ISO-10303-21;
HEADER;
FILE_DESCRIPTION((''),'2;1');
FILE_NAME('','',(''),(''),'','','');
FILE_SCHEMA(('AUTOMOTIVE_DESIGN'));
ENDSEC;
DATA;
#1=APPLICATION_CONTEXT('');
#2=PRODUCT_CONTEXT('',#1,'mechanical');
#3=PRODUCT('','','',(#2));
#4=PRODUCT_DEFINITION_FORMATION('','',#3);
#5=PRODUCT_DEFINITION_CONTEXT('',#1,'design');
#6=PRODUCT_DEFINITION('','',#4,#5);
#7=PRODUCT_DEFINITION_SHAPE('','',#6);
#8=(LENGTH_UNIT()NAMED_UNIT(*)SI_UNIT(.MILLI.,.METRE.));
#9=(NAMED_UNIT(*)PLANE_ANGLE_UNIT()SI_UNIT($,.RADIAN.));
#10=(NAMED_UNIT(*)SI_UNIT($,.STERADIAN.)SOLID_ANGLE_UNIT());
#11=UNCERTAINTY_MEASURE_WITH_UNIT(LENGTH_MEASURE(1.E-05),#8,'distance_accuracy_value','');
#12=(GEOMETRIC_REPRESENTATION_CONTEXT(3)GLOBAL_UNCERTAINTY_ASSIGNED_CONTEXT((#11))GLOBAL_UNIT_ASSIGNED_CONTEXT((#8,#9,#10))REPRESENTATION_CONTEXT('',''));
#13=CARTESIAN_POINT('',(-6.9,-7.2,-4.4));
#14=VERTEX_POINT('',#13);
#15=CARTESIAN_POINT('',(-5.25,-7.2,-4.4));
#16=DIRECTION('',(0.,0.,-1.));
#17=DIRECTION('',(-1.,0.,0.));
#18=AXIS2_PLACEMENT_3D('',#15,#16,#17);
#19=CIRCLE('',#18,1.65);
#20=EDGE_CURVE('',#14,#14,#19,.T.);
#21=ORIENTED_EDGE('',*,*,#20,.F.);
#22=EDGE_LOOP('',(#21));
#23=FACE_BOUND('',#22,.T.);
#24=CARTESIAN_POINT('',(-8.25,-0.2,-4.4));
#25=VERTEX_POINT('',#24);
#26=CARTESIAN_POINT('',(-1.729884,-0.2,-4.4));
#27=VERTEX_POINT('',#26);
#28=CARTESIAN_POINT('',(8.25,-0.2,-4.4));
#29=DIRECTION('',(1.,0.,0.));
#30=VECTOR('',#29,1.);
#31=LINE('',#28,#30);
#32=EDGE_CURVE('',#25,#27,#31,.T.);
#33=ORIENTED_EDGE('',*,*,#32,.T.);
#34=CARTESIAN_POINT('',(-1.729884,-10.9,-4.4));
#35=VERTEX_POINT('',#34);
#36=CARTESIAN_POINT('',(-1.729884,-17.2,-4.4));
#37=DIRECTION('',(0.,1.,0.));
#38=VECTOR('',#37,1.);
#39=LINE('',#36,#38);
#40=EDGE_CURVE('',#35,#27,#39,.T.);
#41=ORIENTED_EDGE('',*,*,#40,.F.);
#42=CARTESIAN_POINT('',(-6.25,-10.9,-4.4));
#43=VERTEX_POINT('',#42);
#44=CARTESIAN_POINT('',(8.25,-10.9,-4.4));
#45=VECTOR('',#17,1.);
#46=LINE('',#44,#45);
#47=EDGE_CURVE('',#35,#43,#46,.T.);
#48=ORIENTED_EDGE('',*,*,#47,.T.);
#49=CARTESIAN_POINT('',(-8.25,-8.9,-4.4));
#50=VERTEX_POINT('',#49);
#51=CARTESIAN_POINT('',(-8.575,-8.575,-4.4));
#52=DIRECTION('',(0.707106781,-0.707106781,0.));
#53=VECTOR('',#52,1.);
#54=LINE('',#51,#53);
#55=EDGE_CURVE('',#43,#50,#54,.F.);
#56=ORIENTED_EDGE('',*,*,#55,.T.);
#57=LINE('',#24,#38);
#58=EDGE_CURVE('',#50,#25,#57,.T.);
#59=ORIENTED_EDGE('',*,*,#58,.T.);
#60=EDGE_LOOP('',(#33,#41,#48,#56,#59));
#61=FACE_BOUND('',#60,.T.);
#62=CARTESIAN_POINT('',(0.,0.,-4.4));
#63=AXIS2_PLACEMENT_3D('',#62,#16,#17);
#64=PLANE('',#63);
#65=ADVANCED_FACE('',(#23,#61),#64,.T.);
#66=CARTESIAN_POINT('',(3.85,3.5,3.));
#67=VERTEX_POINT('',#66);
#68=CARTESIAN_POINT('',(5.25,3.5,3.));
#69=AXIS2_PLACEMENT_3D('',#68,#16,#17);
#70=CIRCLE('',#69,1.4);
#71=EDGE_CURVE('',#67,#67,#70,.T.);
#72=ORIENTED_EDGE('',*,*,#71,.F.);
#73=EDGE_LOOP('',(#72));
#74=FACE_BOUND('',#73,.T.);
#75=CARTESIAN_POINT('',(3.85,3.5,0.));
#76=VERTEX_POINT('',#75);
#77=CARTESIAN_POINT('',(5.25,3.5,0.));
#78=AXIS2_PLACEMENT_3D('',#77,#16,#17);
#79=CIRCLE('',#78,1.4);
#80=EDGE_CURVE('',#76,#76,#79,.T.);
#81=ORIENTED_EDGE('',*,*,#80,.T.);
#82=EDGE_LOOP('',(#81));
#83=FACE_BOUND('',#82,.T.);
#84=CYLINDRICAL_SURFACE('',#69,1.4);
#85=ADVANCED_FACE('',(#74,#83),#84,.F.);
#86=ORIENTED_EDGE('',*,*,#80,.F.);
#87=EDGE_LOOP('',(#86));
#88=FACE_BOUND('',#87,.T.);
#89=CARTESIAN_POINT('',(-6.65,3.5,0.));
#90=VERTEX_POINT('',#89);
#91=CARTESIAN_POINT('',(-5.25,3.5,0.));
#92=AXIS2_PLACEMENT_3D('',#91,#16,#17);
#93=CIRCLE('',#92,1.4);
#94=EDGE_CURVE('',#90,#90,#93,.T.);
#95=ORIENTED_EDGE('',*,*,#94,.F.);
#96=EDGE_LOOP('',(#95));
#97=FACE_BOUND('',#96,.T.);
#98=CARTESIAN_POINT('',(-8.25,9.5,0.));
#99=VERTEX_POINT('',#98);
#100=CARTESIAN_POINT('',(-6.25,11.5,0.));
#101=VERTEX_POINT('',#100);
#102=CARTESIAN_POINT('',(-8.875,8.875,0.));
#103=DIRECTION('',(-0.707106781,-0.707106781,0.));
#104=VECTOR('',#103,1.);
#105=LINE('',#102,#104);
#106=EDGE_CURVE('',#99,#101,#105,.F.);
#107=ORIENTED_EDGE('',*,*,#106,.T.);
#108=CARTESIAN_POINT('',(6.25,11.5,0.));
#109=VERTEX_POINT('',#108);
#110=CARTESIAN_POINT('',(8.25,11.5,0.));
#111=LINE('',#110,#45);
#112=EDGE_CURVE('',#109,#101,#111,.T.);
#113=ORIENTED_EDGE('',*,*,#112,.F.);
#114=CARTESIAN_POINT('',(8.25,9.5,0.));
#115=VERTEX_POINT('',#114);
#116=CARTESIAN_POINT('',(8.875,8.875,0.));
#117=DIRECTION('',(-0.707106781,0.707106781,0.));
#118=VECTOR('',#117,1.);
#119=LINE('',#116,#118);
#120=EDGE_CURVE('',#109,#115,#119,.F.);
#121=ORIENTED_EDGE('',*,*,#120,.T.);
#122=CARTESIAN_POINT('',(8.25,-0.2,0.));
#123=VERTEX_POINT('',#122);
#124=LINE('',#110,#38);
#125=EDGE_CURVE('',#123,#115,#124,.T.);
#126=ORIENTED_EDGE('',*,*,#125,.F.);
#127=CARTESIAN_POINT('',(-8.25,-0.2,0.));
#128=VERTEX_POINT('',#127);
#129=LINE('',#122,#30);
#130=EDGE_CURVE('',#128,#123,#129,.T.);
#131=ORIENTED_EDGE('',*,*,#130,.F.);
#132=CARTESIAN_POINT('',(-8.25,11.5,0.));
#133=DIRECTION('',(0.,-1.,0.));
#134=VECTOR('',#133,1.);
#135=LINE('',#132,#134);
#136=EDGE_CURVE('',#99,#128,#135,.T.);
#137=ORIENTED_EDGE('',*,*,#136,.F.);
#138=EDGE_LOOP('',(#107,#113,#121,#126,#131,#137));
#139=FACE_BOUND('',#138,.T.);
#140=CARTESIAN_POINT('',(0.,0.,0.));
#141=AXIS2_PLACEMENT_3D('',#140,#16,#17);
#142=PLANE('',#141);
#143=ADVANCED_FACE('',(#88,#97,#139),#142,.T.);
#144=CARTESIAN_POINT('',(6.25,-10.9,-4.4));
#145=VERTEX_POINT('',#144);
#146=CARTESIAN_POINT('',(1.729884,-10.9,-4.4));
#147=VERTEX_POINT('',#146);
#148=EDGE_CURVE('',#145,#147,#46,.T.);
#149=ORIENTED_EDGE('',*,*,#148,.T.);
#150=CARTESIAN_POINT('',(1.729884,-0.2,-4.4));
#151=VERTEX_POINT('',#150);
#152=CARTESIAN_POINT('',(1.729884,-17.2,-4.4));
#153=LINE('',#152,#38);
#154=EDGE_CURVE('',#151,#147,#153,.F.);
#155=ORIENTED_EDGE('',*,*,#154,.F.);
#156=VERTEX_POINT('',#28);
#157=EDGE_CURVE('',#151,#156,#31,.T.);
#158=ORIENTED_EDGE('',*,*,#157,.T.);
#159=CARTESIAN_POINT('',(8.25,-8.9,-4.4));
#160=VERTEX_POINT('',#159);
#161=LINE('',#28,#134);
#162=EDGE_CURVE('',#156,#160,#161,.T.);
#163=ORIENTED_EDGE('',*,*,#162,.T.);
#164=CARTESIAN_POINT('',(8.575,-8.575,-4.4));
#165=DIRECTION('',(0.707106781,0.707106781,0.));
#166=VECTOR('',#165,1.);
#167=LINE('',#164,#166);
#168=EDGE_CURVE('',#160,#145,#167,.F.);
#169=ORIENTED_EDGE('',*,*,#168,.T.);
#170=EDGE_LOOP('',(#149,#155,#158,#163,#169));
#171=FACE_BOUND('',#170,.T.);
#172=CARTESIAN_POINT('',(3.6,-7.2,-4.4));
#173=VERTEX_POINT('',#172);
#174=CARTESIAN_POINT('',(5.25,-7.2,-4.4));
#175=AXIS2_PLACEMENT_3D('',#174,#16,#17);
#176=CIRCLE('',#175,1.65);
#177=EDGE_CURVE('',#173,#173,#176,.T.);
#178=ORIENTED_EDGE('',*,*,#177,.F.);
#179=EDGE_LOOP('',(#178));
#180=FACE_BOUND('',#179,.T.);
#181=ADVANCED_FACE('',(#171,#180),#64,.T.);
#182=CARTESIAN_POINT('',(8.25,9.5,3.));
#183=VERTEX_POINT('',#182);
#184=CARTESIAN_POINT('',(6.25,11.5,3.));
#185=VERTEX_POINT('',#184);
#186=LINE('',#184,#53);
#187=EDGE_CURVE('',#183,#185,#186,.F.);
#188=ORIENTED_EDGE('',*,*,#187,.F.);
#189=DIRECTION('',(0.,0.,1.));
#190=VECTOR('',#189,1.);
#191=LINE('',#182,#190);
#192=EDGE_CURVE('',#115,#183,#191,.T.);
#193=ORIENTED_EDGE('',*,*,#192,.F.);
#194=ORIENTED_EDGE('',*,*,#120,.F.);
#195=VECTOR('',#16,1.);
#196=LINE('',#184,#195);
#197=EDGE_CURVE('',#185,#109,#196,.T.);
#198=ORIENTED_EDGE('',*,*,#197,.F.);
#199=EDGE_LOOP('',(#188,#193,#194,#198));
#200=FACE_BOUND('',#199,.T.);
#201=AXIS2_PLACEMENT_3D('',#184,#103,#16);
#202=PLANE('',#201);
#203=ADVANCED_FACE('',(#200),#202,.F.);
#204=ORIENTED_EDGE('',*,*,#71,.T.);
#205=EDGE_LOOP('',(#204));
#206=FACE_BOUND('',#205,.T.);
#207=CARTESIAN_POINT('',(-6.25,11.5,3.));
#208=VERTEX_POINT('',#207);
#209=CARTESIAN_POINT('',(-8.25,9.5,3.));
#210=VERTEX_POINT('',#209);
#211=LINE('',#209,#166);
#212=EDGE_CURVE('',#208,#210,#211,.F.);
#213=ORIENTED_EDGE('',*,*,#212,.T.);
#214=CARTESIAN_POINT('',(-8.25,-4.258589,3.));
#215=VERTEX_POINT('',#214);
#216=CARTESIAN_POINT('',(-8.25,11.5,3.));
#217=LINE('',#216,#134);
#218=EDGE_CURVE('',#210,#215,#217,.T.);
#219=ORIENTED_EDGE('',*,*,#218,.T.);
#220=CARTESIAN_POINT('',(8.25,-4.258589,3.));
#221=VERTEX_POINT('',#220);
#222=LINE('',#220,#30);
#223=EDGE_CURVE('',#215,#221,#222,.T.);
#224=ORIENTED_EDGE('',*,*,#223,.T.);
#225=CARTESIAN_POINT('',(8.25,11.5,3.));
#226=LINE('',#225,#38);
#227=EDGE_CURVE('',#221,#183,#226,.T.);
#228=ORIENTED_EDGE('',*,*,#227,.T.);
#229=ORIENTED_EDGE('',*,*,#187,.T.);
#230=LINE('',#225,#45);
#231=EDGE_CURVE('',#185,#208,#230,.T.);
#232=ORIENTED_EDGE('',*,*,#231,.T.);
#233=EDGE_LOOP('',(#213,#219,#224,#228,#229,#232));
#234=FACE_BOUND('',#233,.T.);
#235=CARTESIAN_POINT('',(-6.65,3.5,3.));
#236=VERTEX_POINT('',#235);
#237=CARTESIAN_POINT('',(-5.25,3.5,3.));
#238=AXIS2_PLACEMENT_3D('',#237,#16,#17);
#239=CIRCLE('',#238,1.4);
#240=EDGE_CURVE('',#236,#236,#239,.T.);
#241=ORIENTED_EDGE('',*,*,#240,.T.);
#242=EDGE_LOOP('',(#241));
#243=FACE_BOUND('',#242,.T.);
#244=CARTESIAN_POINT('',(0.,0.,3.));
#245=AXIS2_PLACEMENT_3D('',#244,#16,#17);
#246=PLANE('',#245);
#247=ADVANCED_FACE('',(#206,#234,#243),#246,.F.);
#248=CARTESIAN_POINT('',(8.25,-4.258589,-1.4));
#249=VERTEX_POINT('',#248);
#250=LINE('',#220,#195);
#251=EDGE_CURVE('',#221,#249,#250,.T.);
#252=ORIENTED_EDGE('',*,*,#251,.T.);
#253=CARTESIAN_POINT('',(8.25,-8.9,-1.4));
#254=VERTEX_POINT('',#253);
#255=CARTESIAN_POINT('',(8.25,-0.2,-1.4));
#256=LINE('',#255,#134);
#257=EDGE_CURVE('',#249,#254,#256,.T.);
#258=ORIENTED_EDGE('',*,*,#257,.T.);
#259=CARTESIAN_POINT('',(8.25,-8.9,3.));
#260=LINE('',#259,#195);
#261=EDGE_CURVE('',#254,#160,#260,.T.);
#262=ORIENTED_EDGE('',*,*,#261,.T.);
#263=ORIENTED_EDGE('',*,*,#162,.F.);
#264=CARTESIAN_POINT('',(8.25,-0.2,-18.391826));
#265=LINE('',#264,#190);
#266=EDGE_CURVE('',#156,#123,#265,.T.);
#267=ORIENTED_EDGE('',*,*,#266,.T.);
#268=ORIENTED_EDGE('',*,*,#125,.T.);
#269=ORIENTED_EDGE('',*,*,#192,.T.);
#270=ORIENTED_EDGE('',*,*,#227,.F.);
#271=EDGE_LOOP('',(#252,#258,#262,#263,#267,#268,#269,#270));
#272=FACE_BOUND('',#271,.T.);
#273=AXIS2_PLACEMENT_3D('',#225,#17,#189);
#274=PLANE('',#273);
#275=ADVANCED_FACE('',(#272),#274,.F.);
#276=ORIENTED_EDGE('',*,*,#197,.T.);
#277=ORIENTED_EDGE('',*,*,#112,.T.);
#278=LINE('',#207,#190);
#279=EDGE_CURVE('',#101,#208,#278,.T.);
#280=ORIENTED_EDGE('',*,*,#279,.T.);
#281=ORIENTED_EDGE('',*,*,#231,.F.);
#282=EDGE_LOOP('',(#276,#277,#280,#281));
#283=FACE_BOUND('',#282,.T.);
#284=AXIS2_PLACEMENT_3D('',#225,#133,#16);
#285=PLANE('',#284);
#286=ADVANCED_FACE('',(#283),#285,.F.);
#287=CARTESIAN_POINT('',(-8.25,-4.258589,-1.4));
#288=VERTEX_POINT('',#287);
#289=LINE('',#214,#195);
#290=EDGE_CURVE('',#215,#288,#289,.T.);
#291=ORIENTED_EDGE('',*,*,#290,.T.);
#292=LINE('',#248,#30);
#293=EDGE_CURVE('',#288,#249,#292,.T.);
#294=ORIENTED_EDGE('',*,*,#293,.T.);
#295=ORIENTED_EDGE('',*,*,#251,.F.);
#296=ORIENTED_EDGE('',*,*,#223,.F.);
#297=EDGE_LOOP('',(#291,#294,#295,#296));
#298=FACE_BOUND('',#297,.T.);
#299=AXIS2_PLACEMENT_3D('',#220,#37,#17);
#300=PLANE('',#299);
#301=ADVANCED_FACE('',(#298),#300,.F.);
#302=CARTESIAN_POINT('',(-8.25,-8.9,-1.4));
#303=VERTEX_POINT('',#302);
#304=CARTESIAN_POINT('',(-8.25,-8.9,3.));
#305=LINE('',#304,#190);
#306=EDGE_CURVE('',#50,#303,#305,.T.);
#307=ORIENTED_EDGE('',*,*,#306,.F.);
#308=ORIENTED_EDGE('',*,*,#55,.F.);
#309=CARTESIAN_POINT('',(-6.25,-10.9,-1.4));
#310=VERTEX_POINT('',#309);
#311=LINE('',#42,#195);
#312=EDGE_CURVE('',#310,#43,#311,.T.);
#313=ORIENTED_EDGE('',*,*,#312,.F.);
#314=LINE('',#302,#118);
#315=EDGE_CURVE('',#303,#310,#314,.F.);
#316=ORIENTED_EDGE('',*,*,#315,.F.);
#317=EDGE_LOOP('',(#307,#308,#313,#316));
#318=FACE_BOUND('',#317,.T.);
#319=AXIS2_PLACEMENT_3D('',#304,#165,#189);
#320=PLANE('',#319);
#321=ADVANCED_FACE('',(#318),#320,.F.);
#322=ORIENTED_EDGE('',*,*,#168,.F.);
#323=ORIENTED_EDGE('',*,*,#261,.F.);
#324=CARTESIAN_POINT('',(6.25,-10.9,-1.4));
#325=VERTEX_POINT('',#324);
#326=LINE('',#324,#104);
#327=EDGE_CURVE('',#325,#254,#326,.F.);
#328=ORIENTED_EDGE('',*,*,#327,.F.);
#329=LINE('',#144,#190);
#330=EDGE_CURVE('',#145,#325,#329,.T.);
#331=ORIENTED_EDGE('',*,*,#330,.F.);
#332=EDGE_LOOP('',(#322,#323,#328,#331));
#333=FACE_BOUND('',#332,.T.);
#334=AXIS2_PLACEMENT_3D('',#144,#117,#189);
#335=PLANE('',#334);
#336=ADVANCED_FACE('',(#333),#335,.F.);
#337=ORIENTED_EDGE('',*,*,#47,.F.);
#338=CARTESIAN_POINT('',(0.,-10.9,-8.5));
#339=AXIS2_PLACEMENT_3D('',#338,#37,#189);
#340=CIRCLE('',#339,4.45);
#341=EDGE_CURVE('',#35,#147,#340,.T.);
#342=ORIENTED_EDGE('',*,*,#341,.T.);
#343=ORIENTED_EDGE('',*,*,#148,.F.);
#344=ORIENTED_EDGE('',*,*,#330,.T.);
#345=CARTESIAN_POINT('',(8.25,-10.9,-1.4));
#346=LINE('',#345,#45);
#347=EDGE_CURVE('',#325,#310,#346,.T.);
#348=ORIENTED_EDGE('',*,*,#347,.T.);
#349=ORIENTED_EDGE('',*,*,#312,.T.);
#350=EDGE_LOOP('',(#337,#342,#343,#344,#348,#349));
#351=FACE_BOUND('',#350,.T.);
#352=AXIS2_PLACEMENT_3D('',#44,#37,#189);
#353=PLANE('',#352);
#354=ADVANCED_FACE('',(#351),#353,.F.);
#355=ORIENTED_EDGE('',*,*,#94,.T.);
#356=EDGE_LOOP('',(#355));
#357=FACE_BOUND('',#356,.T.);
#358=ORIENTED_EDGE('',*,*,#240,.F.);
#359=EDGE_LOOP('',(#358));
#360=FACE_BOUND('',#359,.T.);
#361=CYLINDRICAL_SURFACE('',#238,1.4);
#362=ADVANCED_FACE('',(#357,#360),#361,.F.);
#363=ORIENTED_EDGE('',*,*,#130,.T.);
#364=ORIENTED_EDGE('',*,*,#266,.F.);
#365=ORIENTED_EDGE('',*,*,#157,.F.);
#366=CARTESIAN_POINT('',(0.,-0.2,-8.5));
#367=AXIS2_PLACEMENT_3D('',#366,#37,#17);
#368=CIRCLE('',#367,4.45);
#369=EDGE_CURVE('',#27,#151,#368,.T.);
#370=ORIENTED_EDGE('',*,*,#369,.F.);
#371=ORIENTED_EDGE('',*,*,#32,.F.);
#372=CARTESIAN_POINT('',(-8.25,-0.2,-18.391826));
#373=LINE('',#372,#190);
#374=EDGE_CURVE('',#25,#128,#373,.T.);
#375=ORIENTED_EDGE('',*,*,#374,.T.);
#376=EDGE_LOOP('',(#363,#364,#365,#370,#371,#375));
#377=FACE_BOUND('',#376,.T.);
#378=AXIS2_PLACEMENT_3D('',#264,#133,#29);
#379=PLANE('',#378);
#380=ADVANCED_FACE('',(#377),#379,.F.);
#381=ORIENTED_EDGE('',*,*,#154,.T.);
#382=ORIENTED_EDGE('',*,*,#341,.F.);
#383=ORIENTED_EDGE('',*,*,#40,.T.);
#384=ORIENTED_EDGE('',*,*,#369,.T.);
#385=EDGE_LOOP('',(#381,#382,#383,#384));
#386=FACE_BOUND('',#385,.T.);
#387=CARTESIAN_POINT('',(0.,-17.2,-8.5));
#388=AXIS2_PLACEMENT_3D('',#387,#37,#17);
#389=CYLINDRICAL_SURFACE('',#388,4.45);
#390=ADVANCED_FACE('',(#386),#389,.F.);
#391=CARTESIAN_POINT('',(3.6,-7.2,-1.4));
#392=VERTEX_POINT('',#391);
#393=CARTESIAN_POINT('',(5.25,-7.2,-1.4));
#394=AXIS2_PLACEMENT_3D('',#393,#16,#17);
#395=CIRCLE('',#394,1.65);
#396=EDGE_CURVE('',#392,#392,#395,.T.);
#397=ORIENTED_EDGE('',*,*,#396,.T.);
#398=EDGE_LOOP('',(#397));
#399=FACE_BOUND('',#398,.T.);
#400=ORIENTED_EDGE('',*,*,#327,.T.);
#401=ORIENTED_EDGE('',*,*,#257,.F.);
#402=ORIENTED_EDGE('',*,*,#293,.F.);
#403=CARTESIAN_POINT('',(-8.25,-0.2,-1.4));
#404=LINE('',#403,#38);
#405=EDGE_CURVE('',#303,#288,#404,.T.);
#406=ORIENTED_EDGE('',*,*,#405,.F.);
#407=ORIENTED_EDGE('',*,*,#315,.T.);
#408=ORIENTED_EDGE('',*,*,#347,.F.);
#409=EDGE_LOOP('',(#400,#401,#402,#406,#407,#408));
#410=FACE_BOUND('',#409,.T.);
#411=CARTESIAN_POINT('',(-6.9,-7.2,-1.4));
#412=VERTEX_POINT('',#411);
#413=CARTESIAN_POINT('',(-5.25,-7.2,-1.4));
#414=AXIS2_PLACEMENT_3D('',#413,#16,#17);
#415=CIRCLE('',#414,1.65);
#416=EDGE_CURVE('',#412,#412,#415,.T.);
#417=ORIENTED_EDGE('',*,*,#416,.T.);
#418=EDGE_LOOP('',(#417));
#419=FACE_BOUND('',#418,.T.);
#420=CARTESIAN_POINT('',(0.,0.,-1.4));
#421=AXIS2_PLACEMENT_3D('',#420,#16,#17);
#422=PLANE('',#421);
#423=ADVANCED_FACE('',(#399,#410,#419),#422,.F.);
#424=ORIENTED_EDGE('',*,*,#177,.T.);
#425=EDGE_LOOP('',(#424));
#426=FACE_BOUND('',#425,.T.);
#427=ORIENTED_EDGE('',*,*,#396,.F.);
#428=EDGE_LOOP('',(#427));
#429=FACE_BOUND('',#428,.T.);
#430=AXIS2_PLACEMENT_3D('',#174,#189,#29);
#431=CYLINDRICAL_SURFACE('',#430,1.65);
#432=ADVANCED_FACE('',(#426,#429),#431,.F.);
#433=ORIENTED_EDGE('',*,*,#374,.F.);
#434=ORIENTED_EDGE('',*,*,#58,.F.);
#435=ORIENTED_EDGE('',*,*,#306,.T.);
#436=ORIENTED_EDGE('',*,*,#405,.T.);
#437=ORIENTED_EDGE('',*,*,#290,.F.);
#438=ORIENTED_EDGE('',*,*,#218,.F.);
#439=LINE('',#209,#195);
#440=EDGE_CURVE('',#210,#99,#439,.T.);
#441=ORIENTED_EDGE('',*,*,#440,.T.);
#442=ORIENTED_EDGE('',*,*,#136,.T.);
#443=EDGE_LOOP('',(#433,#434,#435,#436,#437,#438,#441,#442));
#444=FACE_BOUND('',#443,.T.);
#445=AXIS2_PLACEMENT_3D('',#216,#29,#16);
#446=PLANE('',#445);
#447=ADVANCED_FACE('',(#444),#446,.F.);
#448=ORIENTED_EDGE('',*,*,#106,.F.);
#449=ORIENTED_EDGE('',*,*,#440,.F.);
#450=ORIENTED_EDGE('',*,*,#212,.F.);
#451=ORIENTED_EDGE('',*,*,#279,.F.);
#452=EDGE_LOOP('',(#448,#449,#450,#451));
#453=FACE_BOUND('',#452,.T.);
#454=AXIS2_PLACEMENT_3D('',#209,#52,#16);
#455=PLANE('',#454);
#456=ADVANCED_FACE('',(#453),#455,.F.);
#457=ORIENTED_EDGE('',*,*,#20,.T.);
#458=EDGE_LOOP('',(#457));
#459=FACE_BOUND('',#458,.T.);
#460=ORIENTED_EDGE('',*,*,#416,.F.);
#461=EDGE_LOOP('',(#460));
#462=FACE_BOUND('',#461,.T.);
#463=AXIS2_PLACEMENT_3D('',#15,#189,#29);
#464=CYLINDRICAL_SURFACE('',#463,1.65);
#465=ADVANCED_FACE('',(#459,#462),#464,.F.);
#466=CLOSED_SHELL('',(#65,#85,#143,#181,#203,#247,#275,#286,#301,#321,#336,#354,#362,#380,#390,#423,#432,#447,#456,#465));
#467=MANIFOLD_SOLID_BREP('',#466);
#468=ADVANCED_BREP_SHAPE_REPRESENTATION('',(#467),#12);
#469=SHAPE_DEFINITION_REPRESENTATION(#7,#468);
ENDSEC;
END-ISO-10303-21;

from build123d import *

# Parameters (mm, degrees)
SKETCH2_W           = 16.5
SKETCH2_H           = 15.758588826
BOSS_EXTRUDE1_DEPTH = 3
SKETCH3_W           = 16.5
SKETCH3_H           = 4.058588826
BOSS_EXTRUDE2_DEPTH = 1.4
SKETCH4_W           = 16.5
SKETCH4_H           = 10.7
SKETCH4_R           = 1.65
BOSS_EXTRUDE3_DEPTH = 3
SKETCH5_R           = 1.4
CUT_EXTRUDE1_DEPTH  = 3
CHAMFER1_SIZE       = 2
SKETCH6_R           = 4.45
CUT_EXTRUDE2_DEPTH  = 17


with BuildPart() as part:
    # Sketch2 → Boss-Extrude1 (new body)
    with BuildSketch(Plane.XY):
        with Locations((0, 3.620705587)):
            Rectangle(SKETCH2_W, SKETCH2_H)
    extrude(amount=BOSS_EXTRUDE1_DEPTH)

    # Sketch3 → Boss-Extrude2 (add)
    with BuildSketch(Plane(origin=(0, 0, 0), x_dir=(-1, 0, 0), z_dir=(0, 0, -1))):
        with Locations((0, -2.229294413)):
            Rectangle(SKETCH3_W, SKETCH3_H)
    extrude(amount=BOSS_EXTRUDE2_DEPTH)

    # Sketch4 → Boss-Extrude3 (add)
    with BuildSketch(Plane(origin=(0, 0, -1.4), x_dir=(-1, 0, 0), z_dir=(0, 0, -1))):
        with Locations((0, -5.55)):
            Rectangle(SKETCH4_W, SKETCH4_H)
        with Locations((-5.25, -7.2)):
            Circle(SKETCH4_R, mode=Mode.SUBTRACT)
        with Locations((5.25, -7.2)):
            Circle(SKETCH4_R, mode=Mode.SUBTRACT)
    extrude(amount=BOSS_EXTRUDE3_DEPTH)

    # Sketch5 → Cut-Extrude1 (cut)
    with BuildSketch(Plane(origin=(0, 0, 0), x_dir=(-1, 0, 0), z_dir=(0, 0, -1))):
        with Locations((-5.25, 3.5)):
            Circle(SKETCH5_R)
        with Locations((5.25, 3.5)):
            Circle(SKETCH5_R)
    extrude(amount=-CUT_EXTRUDE1_DEPTH, mode=Mode.SUBTRACT)

    # Chamfer1
    chamfer1_edges = [part.edges().sort_by_distance(p)[0] for p in [
        (8.25, -10.9, -2.9),
        (-8.25, -10.9, -2.9),
        (-8.25, 11.5, 1.5),
        (8.25, 11.5, 1.5),
    ]]
    chamfer(chamfer1_edges, length=CHAMFER1_SIZE)

    # Sketch6 → Cut-Extrude2 (cut)
    with BuildSketch(Plane(origin=(0, -0.2, 0), x_dir=(1, 0, 0), z_dir=(0, 1, 0))):
        with Locations((0, 8.5)):
            Circle(SKETCH6_R)
    extrude(amount=-CUT_EXTRUDE2_DEPTH, mode=Mode.SUBTRACT)


solid = part.part
